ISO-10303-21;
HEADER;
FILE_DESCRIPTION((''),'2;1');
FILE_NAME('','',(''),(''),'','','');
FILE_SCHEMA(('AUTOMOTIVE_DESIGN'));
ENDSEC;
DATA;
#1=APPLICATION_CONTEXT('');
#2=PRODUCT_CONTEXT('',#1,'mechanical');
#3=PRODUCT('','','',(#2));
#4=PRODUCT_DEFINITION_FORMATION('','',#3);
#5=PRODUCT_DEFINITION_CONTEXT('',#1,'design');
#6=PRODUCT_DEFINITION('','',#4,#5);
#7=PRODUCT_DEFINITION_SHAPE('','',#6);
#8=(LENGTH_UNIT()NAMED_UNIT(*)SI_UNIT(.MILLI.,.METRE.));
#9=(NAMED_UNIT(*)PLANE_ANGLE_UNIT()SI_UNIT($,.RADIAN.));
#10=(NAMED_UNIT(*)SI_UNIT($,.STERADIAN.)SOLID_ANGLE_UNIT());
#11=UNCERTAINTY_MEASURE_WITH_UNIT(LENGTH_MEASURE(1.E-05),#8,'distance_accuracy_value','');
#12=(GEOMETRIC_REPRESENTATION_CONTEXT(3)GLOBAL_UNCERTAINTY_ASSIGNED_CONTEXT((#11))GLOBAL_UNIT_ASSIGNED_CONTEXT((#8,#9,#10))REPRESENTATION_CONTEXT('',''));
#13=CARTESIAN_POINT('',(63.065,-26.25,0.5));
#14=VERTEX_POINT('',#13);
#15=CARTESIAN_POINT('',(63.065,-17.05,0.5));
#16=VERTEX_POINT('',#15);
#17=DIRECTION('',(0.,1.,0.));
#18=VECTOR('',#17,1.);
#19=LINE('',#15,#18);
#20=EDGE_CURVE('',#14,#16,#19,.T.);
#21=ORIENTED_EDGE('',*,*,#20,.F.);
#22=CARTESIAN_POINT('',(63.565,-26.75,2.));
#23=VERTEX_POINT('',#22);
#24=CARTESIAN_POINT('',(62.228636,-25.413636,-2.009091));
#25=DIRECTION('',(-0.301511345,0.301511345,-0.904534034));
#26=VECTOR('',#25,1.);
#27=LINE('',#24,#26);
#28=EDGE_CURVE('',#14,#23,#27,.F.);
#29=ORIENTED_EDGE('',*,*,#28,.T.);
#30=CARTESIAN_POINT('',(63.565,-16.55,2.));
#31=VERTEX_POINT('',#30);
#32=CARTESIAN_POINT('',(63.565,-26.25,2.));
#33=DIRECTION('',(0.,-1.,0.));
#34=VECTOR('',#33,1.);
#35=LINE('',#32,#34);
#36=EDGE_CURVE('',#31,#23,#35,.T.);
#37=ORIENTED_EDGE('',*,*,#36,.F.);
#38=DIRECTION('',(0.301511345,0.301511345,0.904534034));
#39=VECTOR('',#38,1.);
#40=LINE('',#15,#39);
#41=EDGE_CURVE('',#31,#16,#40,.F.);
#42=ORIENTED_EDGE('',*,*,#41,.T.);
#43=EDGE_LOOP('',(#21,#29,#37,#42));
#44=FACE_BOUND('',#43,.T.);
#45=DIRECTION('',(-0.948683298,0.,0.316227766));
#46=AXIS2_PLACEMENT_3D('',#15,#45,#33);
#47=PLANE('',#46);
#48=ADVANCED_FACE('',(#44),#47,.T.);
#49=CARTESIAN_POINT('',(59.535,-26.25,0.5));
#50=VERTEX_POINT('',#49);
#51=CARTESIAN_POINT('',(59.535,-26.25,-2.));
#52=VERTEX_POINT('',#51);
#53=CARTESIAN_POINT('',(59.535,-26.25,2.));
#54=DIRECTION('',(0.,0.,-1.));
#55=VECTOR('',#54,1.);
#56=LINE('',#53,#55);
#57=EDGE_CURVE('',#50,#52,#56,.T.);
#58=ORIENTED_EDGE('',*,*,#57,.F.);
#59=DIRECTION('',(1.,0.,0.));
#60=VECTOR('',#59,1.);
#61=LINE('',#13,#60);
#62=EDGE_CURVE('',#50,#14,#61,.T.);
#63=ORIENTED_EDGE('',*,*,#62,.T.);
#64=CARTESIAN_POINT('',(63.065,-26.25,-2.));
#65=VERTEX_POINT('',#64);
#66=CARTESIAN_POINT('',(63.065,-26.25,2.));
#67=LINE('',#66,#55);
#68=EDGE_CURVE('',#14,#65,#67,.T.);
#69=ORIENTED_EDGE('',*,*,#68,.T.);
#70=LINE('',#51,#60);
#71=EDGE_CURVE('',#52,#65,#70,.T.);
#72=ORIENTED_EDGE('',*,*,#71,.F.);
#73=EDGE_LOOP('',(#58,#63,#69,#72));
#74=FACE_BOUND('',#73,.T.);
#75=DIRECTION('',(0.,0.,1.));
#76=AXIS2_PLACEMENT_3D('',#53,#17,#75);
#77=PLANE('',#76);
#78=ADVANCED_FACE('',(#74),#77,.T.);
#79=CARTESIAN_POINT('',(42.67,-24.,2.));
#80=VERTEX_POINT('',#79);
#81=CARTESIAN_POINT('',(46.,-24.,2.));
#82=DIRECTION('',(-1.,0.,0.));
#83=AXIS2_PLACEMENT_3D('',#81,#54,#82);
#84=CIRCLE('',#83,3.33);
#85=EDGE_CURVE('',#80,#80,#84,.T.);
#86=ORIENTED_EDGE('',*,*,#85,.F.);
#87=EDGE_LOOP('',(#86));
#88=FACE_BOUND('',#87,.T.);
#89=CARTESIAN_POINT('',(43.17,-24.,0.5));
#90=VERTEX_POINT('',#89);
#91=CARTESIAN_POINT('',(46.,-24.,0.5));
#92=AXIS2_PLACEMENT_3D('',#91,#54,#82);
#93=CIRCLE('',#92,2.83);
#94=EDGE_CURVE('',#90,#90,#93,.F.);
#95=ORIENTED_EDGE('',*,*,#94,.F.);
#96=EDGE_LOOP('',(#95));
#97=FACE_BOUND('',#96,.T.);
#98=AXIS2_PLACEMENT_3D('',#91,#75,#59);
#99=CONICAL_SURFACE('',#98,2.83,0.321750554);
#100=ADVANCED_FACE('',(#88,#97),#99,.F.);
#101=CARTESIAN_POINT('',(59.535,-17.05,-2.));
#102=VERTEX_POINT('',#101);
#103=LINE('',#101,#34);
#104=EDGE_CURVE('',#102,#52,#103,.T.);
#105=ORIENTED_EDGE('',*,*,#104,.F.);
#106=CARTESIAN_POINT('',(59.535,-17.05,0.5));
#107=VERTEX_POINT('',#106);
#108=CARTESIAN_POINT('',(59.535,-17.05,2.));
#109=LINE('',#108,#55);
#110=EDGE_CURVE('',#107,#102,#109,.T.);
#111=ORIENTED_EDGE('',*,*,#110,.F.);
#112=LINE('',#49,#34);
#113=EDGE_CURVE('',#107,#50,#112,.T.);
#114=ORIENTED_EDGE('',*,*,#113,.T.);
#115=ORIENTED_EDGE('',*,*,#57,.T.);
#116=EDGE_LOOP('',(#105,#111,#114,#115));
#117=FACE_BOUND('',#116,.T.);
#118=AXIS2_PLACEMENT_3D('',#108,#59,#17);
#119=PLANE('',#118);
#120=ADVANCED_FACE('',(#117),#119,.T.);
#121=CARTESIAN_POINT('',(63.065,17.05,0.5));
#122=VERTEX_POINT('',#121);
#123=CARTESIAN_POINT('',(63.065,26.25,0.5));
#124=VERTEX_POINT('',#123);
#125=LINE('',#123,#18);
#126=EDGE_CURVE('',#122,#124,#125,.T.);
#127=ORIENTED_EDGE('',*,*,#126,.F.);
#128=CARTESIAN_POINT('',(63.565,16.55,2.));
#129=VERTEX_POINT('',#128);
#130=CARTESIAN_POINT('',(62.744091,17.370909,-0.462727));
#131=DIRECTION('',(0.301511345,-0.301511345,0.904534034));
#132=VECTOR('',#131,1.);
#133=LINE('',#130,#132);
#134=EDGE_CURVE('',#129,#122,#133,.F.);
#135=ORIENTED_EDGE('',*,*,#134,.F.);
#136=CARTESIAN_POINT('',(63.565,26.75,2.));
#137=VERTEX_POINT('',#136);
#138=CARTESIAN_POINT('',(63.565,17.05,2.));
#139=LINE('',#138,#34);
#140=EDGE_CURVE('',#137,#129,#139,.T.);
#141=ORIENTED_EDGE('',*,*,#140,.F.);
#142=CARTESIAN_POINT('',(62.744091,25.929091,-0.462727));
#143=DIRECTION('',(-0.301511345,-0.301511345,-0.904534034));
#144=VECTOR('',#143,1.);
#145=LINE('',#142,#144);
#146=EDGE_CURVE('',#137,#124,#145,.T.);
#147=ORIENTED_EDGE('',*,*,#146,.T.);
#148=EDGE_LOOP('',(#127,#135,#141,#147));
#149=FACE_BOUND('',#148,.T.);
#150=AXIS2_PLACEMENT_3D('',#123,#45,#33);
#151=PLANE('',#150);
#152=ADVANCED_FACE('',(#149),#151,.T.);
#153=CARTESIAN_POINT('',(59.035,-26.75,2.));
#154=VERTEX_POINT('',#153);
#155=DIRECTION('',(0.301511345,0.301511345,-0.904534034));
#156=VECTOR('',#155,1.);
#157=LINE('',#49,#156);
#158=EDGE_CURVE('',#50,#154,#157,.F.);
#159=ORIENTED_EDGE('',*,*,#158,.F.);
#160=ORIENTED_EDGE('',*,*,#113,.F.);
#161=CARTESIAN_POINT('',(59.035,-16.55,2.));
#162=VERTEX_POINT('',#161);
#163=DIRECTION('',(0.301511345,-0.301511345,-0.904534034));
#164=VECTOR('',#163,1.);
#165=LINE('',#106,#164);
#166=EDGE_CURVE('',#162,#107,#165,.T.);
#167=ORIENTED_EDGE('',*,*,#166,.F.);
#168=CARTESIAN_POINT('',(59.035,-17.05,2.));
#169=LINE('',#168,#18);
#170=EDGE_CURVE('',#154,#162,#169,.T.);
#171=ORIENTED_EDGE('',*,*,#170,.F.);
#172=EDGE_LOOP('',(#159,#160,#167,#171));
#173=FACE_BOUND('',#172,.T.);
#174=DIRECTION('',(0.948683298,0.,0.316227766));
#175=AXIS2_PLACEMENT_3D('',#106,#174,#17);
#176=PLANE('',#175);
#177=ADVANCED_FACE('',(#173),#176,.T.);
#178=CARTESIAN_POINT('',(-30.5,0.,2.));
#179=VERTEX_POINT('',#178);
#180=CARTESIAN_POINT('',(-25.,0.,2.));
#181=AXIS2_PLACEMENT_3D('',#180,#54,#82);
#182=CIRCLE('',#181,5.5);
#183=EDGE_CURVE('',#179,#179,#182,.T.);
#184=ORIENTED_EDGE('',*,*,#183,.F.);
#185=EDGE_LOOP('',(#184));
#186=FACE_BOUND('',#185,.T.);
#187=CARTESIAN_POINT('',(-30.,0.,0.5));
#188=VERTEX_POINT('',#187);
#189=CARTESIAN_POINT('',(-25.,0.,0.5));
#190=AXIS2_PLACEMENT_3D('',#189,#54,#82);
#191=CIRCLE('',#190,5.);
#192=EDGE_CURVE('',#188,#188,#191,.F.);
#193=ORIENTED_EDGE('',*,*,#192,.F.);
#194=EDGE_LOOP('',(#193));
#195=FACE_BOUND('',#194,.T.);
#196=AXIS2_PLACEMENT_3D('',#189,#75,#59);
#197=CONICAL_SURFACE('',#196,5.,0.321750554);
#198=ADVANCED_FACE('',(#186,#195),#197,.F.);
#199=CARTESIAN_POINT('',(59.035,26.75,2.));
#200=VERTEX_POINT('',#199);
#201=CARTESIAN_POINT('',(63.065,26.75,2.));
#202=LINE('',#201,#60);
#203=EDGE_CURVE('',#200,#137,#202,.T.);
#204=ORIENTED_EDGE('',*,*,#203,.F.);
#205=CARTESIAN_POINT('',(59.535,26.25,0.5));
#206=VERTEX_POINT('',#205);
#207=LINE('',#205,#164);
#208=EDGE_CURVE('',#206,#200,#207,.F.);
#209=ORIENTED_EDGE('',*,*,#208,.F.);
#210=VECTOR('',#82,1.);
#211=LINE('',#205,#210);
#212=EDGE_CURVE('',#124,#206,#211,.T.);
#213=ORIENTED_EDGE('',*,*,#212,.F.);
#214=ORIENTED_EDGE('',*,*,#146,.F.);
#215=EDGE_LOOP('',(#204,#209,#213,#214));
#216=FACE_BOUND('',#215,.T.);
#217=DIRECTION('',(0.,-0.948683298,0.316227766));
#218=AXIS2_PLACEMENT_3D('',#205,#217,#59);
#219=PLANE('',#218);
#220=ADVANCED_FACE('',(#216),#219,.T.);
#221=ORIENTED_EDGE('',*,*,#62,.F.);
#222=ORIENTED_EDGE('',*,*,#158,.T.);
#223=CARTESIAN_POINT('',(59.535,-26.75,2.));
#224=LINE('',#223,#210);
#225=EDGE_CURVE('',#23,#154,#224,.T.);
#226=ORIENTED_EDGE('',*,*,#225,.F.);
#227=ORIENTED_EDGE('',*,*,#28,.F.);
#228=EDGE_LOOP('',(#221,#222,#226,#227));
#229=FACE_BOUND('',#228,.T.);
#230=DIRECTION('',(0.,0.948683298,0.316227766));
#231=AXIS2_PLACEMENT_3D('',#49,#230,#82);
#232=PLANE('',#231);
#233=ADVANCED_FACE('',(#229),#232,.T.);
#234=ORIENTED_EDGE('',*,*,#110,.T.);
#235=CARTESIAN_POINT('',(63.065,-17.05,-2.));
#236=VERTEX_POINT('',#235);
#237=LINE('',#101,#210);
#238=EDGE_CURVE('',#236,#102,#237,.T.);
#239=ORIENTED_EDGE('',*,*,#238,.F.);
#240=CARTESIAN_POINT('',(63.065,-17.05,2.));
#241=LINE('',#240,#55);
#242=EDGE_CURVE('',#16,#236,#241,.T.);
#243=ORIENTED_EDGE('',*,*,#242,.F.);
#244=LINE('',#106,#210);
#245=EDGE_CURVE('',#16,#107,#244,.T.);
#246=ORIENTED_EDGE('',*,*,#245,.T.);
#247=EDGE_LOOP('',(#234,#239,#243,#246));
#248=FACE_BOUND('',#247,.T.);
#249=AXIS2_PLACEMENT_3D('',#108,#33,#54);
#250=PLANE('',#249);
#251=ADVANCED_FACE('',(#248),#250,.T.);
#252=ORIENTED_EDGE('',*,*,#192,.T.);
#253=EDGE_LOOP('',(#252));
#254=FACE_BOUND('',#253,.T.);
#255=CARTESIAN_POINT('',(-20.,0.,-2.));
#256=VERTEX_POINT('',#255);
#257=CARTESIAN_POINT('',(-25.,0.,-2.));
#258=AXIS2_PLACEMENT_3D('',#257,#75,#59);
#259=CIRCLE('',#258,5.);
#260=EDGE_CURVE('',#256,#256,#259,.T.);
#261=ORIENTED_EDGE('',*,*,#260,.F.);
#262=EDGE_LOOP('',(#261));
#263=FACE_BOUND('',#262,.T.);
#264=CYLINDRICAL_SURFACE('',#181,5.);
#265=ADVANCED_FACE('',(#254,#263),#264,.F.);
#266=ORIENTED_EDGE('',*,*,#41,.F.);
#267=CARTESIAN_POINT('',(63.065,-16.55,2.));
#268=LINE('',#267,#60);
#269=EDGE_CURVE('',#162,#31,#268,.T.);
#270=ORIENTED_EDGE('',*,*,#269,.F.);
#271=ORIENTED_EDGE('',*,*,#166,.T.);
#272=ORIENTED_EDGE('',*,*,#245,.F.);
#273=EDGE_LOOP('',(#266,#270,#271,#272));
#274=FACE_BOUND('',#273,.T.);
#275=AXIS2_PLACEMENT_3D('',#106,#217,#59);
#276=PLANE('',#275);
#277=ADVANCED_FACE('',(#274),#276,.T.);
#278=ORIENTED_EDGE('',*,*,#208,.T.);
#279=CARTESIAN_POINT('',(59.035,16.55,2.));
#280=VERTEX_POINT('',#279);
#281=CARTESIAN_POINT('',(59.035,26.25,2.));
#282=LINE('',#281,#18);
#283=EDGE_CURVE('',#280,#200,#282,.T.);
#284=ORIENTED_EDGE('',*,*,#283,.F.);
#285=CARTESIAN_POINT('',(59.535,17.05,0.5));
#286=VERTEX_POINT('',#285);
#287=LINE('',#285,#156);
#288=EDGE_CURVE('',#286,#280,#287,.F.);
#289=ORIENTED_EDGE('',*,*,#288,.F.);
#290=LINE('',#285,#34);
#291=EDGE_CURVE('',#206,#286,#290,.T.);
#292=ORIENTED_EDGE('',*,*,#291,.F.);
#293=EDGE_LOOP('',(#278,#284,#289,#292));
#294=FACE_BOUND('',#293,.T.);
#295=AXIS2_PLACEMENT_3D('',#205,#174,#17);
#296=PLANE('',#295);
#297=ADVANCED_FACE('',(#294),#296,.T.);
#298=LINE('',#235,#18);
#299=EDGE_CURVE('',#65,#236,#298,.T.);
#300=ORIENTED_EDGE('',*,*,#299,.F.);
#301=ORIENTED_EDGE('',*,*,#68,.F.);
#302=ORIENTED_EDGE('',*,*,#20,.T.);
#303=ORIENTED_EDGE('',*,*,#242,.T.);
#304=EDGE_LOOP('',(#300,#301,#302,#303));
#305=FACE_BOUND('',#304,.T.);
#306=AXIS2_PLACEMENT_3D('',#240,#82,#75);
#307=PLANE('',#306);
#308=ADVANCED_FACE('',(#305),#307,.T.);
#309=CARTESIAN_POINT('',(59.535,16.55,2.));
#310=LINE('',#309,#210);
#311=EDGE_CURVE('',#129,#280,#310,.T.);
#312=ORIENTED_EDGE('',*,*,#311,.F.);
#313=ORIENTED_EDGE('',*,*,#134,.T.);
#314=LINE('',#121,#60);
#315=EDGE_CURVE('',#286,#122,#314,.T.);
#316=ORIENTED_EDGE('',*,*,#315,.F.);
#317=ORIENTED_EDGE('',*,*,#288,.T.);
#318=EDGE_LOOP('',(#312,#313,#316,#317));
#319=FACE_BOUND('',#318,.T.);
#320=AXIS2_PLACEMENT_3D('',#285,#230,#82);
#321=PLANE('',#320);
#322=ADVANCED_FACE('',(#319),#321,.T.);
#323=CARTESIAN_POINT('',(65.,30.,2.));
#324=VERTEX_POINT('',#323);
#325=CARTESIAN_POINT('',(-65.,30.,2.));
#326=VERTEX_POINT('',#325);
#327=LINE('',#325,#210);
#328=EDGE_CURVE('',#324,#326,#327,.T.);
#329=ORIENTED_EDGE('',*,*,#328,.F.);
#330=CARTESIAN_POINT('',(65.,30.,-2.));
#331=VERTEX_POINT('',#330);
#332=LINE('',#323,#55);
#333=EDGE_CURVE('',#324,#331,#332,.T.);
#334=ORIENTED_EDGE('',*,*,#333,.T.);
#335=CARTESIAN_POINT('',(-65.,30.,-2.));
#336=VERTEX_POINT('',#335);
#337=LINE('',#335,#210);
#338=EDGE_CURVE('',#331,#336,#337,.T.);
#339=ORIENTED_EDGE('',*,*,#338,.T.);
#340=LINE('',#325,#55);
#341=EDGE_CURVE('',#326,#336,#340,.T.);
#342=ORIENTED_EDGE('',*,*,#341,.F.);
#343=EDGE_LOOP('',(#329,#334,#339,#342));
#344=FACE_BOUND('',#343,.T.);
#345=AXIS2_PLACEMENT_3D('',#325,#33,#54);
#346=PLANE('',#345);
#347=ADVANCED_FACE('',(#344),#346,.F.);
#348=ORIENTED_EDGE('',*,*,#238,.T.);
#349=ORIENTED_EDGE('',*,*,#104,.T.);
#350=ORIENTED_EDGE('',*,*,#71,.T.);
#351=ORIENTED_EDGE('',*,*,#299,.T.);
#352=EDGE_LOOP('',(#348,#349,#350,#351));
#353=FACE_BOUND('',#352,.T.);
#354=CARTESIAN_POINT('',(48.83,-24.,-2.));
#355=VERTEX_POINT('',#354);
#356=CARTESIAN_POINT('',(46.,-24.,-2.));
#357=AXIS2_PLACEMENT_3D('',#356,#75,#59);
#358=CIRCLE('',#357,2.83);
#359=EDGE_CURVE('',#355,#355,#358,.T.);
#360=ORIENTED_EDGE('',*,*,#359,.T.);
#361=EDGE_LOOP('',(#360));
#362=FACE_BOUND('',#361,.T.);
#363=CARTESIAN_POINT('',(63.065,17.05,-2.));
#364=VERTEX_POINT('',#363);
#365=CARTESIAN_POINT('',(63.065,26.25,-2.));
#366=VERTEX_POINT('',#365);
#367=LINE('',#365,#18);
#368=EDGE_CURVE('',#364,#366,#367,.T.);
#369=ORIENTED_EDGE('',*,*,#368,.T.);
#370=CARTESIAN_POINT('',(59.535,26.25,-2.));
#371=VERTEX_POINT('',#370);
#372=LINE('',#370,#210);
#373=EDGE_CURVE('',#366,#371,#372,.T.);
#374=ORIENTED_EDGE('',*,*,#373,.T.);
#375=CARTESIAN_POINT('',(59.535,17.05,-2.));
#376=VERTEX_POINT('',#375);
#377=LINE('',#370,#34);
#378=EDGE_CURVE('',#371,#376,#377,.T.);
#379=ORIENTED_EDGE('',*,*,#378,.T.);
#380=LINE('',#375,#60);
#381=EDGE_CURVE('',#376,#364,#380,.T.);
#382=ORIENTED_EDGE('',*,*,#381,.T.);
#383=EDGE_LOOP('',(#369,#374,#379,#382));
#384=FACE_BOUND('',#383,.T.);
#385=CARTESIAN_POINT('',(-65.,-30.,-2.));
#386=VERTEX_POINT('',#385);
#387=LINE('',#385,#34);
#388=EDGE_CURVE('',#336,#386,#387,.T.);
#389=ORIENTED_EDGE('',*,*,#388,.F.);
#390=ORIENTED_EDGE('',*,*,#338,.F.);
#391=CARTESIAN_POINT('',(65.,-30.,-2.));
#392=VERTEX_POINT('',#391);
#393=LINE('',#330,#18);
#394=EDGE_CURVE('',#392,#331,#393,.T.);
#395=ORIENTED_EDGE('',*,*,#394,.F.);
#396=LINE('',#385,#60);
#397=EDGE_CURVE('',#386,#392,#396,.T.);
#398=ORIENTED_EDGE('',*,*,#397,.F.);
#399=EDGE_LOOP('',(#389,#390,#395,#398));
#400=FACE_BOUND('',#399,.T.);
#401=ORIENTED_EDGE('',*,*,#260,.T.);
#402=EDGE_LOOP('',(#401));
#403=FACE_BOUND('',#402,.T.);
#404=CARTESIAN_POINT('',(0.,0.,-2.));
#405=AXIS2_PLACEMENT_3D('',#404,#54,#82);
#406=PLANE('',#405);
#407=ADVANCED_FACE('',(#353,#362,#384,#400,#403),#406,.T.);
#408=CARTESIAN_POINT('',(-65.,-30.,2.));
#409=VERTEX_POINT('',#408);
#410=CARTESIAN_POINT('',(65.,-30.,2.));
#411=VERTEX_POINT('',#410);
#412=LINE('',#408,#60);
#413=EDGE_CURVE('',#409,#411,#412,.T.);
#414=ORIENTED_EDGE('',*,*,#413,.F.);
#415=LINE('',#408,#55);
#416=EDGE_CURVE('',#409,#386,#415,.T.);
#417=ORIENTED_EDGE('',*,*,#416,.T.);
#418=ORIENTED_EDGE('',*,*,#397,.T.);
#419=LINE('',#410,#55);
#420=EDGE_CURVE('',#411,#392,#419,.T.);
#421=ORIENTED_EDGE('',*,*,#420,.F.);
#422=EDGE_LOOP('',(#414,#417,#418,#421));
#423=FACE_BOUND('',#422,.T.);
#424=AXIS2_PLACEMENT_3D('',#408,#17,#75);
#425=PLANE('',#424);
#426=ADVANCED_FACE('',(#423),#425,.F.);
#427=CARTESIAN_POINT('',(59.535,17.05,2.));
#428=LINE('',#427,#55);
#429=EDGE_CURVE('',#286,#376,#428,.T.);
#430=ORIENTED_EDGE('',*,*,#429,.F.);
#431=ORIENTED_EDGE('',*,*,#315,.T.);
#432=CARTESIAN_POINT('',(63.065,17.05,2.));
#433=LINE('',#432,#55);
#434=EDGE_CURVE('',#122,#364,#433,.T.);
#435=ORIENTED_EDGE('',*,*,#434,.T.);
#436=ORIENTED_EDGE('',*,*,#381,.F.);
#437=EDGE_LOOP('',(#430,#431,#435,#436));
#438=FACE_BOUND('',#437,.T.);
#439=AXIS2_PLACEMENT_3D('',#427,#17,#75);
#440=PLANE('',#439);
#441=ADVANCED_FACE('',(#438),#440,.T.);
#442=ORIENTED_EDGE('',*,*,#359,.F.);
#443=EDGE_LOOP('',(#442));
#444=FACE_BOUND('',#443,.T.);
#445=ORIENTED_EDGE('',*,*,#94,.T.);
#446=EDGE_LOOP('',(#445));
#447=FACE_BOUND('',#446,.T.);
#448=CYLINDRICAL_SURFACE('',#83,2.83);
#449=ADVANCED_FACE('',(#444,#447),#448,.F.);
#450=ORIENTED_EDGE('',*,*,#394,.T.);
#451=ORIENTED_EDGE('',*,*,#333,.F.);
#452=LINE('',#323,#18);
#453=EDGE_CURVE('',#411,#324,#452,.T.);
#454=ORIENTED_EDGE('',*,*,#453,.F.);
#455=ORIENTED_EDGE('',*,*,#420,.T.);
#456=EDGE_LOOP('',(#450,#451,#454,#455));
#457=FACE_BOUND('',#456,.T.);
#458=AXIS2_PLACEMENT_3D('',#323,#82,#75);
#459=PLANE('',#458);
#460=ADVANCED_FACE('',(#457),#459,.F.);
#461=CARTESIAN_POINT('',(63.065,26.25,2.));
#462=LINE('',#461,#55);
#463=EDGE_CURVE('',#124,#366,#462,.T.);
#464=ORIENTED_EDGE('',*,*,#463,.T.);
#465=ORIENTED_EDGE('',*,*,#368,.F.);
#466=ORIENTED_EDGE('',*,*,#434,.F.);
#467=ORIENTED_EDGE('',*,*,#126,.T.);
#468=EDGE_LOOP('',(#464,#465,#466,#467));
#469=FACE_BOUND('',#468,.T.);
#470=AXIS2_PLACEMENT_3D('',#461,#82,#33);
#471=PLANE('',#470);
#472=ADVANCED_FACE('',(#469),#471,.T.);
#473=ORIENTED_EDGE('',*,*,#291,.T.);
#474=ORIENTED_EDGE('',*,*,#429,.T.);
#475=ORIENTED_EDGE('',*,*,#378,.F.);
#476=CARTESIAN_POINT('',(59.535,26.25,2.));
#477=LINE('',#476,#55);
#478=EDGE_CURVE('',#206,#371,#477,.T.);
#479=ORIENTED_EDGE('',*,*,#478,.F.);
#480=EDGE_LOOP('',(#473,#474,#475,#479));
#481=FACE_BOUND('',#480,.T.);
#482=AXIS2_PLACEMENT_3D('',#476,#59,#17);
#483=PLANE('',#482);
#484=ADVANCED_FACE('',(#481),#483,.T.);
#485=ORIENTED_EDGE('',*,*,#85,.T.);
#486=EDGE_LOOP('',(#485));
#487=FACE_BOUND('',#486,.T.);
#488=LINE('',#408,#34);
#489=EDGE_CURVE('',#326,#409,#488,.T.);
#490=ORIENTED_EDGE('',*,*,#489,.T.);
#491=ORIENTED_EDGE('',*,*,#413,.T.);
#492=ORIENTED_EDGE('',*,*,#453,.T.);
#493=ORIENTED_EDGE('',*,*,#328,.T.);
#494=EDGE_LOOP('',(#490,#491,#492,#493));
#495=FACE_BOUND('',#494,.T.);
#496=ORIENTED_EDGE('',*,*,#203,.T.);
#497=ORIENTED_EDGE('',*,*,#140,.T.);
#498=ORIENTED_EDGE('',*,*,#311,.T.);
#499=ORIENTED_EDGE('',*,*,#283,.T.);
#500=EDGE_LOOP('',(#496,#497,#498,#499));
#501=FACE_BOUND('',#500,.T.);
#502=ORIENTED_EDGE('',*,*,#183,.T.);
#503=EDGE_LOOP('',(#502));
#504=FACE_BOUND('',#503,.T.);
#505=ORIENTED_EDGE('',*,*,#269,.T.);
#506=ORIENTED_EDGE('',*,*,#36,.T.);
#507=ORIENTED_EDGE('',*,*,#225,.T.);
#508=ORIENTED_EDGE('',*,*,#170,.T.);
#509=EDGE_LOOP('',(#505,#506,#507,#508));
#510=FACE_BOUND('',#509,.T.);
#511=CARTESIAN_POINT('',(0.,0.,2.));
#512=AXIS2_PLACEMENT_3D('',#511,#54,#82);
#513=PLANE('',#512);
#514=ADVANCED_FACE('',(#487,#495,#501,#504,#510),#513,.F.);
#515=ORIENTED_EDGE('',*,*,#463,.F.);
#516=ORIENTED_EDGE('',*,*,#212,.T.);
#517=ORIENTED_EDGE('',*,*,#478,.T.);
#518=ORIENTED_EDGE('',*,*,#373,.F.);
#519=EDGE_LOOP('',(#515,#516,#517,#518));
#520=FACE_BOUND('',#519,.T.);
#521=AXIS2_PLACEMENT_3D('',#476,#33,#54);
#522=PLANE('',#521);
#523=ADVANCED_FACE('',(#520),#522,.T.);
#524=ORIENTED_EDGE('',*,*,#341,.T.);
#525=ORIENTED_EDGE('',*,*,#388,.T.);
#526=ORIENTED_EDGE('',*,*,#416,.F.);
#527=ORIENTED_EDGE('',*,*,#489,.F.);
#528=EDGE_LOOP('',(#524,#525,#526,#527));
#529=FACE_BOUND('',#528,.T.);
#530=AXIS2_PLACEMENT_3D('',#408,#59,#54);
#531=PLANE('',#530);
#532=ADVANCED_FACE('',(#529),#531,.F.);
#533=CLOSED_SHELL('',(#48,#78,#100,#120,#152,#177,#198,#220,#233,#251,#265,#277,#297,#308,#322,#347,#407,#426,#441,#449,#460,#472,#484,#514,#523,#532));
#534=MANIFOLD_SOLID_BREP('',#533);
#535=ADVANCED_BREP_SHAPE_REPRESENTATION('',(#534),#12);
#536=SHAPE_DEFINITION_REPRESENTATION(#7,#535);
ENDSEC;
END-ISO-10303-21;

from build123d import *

# Parameters (mm, degrees)
SKETCH1_W           = 130
SKETCH1_H           = 60
SKETCH1_R           = 5
SKETCH1_R_2         = 2.83
SKETCH1_W_2         = 3.53
SKETCH1_H_2         = 9.2
BOSS_EXTRUDE1_DEPTH = 2
CHAMFER1_SIZE       = 0.5
CHAMFER1_SIZE2      = 1.5


with BuildPart() as part:
    # Sketch1 → Boss-Extrude1 (new, symmetric)
    with BuildSketch(Plane.XY):
        Rectangle(SKETCH1_W, SKETCH1_H)
        with Locations((-25, 0)):
            Circle(SKETCH1_R, mode=Mode.SUBTRACT)
        with Locations((46, -24)):
            Circle(SKETCH1_R_2, mode=Mode.SUBTRACT)
        with Locations((61.3, 21.65)):
            Rectangle(SKETCH1_W_2, SKETCH1_H_2, mode=Mode.SUBTRACT)
        with Locations((61.3, -21.65)):
            Rectangle(SKETCH1_W_2, SKETCH1_H_2, mode=Mode.SUBTRACT)
    extrude(amount=BOSS_EXTRUDE1_DEPTH, both=True)

    # Chamfer1
    chamfer1_edges = [part.edges().sort_by_distance(p)[0] for p in [
        (59.535, -21.65, 2),
        (61.3, -26.25, 2),
        (63.065, -21.65, 2),
        (61.3, -17.05, 2),
        (43.17, -24, 2),
        (-30, 0, 2),
        (59.535, 21.65, 2),
        (61.3, 17.05, 2),
        (63.065, 21.65, 2),
        (61.3, 26.25, 2),
    ]]
    chamfer1_side = [part.faces().sort_by_distance(p)[0] for p in [
        (-0.416106653, 0.079128468, 2),
    ]]
    chamfer(chamfer1_edges, length=CHAMFER1_SIZE, length2=CHAMFER1_SIZE2, reference=chamfer1_side[0])


solid = part.part
